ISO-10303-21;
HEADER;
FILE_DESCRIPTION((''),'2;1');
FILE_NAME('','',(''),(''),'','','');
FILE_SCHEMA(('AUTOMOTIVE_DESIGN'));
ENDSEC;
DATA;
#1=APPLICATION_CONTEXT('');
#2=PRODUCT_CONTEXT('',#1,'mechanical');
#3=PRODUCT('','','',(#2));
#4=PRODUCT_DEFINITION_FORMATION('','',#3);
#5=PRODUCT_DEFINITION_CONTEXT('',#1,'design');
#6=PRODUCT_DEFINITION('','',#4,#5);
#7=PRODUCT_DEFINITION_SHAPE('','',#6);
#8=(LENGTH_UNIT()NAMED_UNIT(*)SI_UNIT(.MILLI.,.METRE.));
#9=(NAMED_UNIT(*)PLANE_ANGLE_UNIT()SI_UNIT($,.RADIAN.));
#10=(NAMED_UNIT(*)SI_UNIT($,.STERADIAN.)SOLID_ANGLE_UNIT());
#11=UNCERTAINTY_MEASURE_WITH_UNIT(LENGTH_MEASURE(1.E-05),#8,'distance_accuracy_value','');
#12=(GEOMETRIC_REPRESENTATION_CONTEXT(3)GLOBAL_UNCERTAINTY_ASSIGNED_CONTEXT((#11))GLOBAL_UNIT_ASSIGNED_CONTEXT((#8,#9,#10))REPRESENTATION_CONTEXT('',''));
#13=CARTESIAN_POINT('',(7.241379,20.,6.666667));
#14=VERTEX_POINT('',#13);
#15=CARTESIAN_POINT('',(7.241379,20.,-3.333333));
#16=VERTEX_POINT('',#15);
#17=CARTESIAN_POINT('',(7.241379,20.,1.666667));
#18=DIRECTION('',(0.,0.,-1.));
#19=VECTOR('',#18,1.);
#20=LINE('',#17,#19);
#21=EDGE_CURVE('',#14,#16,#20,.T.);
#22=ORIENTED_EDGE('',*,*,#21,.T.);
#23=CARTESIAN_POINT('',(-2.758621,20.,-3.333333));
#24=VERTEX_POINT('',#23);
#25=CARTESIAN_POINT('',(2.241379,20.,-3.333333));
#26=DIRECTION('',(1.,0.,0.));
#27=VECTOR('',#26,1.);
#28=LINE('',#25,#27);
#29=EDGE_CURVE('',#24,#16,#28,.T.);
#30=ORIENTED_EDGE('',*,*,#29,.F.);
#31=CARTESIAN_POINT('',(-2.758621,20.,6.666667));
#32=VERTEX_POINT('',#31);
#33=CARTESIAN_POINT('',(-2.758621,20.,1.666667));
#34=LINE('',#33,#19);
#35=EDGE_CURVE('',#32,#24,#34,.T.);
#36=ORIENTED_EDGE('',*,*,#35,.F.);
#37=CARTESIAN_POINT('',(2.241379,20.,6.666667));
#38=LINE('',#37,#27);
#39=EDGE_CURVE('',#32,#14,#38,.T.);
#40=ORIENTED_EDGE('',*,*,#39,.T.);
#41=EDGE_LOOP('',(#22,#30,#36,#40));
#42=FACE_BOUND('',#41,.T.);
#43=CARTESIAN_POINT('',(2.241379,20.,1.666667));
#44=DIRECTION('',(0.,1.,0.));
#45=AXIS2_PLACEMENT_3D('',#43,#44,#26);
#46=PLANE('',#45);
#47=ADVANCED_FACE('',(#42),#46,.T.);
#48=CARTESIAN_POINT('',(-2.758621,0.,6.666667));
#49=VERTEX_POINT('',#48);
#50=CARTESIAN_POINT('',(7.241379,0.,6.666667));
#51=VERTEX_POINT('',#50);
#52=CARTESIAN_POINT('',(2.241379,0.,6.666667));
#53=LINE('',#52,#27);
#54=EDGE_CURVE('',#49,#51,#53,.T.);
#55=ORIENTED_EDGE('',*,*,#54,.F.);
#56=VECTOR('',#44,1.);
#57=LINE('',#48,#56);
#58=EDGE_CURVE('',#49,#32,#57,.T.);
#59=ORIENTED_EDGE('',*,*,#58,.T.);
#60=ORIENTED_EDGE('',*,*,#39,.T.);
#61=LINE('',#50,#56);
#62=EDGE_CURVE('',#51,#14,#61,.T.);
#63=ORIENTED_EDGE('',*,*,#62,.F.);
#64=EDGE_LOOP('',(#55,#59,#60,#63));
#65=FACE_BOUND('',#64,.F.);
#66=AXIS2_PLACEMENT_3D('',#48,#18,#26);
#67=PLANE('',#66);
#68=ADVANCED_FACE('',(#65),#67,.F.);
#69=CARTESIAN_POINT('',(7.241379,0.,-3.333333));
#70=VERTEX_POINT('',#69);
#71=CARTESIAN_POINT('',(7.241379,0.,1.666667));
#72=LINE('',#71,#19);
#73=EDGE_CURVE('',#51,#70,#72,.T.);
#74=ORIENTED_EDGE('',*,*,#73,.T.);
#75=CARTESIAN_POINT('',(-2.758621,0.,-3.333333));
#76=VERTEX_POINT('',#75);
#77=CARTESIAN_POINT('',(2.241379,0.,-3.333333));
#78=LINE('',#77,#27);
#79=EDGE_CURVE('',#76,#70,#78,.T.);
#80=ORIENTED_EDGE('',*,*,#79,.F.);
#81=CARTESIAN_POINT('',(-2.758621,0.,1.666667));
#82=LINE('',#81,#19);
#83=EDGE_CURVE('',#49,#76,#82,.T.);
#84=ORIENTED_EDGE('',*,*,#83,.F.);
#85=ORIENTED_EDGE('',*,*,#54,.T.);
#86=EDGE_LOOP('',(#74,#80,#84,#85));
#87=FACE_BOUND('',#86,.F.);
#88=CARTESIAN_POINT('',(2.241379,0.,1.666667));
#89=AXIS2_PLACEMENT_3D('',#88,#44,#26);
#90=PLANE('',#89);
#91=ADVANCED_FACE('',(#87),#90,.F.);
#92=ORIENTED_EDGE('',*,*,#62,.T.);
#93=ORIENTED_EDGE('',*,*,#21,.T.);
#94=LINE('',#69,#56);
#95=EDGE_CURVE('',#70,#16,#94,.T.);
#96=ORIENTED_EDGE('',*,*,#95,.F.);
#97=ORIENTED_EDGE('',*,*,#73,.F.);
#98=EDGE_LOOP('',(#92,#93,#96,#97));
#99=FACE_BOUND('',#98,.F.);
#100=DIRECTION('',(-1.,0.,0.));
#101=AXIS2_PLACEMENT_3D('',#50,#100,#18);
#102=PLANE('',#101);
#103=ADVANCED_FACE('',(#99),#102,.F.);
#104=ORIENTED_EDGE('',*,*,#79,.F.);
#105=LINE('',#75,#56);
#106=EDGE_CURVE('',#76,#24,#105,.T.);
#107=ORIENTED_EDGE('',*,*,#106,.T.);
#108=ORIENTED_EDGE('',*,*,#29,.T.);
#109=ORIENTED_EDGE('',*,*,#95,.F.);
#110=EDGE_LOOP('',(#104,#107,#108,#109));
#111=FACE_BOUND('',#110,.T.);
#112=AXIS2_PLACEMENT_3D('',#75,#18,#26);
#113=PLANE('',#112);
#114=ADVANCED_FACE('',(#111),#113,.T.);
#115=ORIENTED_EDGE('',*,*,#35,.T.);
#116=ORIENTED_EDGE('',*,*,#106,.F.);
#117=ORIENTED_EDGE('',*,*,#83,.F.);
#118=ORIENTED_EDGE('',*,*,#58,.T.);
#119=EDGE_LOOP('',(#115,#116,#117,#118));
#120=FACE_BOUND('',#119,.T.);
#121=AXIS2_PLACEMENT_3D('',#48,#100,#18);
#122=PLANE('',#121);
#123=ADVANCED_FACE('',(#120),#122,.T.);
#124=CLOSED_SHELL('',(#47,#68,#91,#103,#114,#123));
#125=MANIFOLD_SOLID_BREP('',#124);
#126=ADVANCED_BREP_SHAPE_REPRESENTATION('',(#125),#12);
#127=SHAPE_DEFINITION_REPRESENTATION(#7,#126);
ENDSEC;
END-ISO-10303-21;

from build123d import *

# Parameters (mm, degrees)
SKETCH1_W           = 10
SKETCH1_H           = 10
BOSS_EXTRUDE1_DEPTH = 20


with BuildPart() as part:
    # Sketch1 → Boss-Extrude1 (new body)
    with BuildSketch(Plane(origin=(0, 0, 0), x_dir=(1, 0, 0), z_dir=(0, 1, 0))):
        with Locations((2.24137931, -1.666666667)):
            Rectangle(SKETCH1_W, SKETCH1_H)
    extrude(amount=BOSS_EXTRUDE1_DEPTH)


solid = part.part
